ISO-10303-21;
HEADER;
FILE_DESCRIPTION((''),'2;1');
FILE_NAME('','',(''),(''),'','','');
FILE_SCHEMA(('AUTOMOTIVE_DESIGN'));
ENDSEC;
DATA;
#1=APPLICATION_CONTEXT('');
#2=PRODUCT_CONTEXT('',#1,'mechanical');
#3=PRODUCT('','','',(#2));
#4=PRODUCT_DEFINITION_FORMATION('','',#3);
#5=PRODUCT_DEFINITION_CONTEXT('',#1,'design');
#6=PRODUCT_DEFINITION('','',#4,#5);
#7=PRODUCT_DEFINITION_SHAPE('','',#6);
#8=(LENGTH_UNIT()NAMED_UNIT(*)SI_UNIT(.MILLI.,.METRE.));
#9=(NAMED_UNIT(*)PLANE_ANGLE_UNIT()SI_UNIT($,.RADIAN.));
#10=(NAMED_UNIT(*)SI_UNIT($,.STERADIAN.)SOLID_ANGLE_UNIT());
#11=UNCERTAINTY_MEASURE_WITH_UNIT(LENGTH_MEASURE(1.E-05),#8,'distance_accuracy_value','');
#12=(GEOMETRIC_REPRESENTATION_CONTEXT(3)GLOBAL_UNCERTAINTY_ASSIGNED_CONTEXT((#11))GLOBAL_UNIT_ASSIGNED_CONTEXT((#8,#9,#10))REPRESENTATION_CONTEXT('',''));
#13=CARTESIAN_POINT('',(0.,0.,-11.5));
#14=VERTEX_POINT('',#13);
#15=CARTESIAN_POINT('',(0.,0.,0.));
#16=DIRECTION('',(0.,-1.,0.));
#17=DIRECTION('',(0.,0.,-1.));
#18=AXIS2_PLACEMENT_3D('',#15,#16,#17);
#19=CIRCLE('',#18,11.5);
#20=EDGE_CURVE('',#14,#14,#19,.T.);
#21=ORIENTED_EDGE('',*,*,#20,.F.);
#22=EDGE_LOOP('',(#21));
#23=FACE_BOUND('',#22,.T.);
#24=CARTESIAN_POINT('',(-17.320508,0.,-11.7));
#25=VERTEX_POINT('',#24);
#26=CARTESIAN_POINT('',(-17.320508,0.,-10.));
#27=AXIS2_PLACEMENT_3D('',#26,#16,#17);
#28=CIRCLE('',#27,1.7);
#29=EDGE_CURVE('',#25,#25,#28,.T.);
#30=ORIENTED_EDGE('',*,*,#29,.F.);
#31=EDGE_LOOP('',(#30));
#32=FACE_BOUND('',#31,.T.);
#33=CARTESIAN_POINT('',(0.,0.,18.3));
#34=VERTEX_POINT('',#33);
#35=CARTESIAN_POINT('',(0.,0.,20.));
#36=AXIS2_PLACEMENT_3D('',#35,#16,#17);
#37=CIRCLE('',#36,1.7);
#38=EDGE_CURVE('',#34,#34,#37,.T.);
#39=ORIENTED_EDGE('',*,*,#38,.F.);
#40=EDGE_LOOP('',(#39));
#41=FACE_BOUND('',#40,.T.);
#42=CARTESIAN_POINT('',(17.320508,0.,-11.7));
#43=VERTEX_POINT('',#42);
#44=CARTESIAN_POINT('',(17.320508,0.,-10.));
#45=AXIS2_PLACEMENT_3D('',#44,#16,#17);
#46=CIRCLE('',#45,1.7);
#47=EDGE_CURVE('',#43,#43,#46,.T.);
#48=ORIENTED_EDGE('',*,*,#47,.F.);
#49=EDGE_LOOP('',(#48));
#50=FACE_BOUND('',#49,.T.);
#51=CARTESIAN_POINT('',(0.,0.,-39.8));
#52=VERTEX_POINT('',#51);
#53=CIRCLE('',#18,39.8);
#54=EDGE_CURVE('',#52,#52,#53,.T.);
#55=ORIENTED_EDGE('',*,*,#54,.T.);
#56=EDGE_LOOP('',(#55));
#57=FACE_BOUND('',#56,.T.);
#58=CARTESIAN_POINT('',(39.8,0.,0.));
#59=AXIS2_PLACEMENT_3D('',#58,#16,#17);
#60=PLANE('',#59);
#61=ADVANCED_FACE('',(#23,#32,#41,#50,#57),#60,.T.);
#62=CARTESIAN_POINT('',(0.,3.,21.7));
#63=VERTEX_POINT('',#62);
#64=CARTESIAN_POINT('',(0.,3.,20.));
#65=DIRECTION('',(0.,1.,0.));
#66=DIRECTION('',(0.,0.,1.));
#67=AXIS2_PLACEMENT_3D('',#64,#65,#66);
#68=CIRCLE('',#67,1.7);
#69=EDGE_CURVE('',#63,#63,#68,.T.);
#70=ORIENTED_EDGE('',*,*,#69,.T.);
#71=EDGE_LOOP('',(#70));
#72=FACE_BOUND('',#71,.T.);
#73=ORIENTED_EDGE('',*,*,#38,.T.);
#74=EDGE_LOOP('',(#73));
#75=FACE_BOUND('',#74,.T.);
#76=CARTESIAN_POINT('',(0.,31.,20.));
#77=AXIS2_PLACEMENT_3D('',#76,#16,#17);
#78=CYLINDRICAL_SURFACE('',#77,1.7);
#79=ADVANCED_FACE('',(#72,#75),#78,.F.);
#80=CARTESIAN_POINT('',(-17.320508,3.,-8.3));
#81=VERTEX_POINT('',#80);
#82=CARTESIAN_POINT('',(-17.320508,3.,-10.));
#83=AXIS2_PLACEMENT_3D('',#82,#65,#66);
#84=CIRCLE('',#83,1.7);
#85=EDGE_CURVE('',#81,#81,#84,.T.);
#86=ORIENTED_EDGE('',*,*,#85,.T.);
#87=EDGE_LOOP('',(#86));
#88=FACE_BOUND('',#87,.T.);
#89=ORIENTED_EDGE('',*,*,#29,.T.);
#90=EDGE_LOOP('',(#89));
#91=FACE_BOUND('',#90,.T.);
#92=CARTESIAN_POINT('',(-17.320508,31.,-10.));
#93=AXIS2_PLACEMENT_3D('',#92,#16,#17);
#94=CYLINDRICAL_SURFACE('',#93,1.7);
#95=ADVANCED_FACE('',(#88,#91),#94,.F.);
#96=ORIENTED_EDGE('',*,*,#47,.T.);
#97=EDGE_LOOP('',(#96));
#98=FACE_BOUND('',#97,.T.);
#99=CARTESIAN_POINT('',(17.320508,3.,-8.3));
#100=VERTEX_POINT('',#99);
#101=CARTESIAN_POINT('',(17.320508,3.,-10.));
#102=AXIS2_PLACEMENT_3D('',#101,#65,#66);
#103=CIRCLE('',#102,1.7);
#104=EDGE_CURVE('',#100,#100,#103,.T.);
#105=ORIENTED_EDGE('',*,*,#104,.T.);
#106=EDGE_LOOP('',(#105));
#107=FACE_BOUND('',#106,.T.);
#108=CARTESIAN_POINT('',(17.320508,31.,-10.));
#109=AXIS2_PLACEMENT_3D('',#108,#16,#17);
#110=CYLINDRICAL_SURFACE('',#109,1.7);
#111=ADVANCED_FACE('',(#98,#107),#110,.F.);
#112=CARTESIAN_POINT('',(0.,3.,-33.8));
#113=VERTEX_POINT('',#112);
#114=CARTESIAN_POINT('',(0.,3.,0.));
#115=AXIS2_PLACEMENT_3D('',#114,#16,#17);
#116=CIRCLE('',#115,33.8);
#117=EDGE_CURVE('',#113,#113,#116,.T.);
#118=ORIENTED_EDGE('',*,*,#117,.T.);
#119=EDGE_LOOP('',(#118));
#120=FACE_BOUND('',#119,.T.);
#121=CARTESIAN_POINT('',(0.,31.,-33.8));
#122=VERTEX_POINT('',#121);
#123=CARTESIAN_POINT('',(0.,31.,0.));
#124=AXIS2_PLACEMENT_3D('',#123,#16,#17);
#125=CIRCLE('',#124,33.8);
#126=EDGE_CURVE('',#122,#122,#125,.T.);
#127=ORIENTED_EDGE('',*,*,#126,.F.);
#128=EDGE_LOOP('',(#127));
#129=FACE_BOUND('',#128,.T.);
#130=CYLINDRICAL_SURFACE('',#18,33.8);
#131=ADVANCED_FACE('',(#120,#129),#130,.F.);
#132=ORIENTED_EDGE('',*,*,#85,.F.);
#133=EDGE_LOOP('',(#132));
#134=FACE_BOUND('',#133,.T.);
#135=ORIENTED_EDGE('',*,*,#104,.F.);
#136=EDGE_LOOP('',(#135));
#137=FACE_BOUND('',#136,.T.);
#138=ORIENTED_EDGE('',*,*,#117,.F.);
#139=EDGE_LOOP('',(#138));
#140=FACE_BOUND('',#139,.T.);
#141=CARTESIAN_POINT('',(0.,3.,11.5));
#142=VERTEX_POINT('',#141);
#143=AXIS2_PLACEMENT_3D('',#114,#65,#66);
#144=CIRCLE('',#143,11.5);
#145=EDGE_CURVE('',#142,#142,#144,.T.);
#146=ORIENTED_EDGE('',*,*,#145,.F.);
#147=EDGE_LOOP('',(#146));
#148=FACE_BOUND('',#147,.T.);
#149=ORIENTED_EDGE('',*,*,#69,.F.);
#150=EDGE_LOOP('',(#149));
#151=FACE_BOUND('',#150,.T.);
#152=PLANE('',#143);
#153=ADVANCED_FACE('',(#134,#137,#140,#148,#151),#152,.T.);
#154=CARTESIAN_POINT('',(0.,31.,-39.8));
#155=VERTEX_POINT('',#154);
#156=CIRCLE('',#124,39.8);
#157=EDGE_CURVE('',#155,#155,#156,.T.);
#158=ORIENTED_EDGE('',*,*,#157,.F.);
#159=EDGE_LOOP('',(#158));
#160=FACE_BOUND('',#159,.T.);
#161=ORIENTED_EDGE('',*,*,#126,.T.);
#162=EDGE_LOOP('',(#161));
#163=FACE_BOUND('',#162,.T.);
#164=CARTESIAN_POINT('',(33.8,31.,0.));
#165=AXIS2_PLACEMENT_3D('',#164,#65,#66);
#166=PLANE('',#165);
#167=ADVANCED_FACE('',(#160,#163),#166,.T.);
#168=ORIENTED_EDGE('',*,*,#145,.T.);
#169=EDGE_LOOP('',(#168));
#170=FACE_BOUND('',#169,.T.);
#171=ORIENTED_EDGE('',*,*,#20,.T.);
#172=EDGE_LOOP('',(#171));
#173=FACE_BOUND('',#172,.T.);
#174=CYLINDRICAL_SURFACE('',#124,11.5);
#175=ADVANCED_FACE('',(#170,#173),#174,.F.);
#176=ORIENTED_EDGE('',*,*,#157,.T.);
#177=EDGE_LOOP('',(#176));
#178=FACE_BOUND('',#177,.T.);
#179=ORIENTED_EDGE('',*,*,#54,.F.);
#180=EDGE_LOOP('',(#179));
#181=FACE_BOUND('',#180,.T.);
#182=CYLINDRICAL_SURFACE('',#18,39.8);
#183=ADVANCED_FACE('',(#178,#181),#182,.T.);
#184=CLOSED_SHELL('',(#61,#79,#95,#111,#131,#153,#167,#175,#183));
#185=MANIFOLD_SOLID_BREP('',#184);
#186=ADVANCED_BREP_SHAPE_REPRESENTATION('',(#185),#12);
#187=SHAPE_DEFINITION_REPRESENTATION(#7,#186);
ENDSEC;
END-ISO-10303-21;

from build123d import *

# Parameters (mm, degrees)
SKETCH_2_R          = 11.5
SKETCH_2_R_2        = 1.7
CUT_EXTRUDE_1_DEPTH = 65.2579178


with BuildPart() as part:
    # 草图1 → 旋转1 (revolve)
    with BuildSketch(Plane.XY, mode=Mode.PRIVATE) as revolve_1_sk:
        Polygon((39.8, 31), (39.8, 0), (0, 0), (0, 3), (33.8, 3), (33.8, 31), align=None)
    revolve(revolve_1_sk.sketch.rotate(Axis((0, 0, 0), (0, 1, 0)), 90), axis=Axis((0, 0, 0), (0, 1, 0)))

    # 草图2 → 切除-拉伸1 (cut, through all)
    with BuildSketch(Plane.XZ):
        with Locations(Location((0, 0, 0), (0, 0, 270))):
            Circle(SKETCH_2_R)
        with Locations(Location((0, 20, 0), (0, 0, 270))):
            Circle(SKETCH_2_R_2)
        with Locations(Location((17.320508076, -10, 0), (0, 0, 270))):
            Circle(SKETCH_2_R_2)
        with Locations(Location((-17.320508076, -10, 0), (0, 0, 270))):
            Circle(SKETCH_2_R_2)
    extrude(amount=-CUT_EXTRUDE_1_DEPTH, mode=Mode.SUBTRACT)


solid = part.part
